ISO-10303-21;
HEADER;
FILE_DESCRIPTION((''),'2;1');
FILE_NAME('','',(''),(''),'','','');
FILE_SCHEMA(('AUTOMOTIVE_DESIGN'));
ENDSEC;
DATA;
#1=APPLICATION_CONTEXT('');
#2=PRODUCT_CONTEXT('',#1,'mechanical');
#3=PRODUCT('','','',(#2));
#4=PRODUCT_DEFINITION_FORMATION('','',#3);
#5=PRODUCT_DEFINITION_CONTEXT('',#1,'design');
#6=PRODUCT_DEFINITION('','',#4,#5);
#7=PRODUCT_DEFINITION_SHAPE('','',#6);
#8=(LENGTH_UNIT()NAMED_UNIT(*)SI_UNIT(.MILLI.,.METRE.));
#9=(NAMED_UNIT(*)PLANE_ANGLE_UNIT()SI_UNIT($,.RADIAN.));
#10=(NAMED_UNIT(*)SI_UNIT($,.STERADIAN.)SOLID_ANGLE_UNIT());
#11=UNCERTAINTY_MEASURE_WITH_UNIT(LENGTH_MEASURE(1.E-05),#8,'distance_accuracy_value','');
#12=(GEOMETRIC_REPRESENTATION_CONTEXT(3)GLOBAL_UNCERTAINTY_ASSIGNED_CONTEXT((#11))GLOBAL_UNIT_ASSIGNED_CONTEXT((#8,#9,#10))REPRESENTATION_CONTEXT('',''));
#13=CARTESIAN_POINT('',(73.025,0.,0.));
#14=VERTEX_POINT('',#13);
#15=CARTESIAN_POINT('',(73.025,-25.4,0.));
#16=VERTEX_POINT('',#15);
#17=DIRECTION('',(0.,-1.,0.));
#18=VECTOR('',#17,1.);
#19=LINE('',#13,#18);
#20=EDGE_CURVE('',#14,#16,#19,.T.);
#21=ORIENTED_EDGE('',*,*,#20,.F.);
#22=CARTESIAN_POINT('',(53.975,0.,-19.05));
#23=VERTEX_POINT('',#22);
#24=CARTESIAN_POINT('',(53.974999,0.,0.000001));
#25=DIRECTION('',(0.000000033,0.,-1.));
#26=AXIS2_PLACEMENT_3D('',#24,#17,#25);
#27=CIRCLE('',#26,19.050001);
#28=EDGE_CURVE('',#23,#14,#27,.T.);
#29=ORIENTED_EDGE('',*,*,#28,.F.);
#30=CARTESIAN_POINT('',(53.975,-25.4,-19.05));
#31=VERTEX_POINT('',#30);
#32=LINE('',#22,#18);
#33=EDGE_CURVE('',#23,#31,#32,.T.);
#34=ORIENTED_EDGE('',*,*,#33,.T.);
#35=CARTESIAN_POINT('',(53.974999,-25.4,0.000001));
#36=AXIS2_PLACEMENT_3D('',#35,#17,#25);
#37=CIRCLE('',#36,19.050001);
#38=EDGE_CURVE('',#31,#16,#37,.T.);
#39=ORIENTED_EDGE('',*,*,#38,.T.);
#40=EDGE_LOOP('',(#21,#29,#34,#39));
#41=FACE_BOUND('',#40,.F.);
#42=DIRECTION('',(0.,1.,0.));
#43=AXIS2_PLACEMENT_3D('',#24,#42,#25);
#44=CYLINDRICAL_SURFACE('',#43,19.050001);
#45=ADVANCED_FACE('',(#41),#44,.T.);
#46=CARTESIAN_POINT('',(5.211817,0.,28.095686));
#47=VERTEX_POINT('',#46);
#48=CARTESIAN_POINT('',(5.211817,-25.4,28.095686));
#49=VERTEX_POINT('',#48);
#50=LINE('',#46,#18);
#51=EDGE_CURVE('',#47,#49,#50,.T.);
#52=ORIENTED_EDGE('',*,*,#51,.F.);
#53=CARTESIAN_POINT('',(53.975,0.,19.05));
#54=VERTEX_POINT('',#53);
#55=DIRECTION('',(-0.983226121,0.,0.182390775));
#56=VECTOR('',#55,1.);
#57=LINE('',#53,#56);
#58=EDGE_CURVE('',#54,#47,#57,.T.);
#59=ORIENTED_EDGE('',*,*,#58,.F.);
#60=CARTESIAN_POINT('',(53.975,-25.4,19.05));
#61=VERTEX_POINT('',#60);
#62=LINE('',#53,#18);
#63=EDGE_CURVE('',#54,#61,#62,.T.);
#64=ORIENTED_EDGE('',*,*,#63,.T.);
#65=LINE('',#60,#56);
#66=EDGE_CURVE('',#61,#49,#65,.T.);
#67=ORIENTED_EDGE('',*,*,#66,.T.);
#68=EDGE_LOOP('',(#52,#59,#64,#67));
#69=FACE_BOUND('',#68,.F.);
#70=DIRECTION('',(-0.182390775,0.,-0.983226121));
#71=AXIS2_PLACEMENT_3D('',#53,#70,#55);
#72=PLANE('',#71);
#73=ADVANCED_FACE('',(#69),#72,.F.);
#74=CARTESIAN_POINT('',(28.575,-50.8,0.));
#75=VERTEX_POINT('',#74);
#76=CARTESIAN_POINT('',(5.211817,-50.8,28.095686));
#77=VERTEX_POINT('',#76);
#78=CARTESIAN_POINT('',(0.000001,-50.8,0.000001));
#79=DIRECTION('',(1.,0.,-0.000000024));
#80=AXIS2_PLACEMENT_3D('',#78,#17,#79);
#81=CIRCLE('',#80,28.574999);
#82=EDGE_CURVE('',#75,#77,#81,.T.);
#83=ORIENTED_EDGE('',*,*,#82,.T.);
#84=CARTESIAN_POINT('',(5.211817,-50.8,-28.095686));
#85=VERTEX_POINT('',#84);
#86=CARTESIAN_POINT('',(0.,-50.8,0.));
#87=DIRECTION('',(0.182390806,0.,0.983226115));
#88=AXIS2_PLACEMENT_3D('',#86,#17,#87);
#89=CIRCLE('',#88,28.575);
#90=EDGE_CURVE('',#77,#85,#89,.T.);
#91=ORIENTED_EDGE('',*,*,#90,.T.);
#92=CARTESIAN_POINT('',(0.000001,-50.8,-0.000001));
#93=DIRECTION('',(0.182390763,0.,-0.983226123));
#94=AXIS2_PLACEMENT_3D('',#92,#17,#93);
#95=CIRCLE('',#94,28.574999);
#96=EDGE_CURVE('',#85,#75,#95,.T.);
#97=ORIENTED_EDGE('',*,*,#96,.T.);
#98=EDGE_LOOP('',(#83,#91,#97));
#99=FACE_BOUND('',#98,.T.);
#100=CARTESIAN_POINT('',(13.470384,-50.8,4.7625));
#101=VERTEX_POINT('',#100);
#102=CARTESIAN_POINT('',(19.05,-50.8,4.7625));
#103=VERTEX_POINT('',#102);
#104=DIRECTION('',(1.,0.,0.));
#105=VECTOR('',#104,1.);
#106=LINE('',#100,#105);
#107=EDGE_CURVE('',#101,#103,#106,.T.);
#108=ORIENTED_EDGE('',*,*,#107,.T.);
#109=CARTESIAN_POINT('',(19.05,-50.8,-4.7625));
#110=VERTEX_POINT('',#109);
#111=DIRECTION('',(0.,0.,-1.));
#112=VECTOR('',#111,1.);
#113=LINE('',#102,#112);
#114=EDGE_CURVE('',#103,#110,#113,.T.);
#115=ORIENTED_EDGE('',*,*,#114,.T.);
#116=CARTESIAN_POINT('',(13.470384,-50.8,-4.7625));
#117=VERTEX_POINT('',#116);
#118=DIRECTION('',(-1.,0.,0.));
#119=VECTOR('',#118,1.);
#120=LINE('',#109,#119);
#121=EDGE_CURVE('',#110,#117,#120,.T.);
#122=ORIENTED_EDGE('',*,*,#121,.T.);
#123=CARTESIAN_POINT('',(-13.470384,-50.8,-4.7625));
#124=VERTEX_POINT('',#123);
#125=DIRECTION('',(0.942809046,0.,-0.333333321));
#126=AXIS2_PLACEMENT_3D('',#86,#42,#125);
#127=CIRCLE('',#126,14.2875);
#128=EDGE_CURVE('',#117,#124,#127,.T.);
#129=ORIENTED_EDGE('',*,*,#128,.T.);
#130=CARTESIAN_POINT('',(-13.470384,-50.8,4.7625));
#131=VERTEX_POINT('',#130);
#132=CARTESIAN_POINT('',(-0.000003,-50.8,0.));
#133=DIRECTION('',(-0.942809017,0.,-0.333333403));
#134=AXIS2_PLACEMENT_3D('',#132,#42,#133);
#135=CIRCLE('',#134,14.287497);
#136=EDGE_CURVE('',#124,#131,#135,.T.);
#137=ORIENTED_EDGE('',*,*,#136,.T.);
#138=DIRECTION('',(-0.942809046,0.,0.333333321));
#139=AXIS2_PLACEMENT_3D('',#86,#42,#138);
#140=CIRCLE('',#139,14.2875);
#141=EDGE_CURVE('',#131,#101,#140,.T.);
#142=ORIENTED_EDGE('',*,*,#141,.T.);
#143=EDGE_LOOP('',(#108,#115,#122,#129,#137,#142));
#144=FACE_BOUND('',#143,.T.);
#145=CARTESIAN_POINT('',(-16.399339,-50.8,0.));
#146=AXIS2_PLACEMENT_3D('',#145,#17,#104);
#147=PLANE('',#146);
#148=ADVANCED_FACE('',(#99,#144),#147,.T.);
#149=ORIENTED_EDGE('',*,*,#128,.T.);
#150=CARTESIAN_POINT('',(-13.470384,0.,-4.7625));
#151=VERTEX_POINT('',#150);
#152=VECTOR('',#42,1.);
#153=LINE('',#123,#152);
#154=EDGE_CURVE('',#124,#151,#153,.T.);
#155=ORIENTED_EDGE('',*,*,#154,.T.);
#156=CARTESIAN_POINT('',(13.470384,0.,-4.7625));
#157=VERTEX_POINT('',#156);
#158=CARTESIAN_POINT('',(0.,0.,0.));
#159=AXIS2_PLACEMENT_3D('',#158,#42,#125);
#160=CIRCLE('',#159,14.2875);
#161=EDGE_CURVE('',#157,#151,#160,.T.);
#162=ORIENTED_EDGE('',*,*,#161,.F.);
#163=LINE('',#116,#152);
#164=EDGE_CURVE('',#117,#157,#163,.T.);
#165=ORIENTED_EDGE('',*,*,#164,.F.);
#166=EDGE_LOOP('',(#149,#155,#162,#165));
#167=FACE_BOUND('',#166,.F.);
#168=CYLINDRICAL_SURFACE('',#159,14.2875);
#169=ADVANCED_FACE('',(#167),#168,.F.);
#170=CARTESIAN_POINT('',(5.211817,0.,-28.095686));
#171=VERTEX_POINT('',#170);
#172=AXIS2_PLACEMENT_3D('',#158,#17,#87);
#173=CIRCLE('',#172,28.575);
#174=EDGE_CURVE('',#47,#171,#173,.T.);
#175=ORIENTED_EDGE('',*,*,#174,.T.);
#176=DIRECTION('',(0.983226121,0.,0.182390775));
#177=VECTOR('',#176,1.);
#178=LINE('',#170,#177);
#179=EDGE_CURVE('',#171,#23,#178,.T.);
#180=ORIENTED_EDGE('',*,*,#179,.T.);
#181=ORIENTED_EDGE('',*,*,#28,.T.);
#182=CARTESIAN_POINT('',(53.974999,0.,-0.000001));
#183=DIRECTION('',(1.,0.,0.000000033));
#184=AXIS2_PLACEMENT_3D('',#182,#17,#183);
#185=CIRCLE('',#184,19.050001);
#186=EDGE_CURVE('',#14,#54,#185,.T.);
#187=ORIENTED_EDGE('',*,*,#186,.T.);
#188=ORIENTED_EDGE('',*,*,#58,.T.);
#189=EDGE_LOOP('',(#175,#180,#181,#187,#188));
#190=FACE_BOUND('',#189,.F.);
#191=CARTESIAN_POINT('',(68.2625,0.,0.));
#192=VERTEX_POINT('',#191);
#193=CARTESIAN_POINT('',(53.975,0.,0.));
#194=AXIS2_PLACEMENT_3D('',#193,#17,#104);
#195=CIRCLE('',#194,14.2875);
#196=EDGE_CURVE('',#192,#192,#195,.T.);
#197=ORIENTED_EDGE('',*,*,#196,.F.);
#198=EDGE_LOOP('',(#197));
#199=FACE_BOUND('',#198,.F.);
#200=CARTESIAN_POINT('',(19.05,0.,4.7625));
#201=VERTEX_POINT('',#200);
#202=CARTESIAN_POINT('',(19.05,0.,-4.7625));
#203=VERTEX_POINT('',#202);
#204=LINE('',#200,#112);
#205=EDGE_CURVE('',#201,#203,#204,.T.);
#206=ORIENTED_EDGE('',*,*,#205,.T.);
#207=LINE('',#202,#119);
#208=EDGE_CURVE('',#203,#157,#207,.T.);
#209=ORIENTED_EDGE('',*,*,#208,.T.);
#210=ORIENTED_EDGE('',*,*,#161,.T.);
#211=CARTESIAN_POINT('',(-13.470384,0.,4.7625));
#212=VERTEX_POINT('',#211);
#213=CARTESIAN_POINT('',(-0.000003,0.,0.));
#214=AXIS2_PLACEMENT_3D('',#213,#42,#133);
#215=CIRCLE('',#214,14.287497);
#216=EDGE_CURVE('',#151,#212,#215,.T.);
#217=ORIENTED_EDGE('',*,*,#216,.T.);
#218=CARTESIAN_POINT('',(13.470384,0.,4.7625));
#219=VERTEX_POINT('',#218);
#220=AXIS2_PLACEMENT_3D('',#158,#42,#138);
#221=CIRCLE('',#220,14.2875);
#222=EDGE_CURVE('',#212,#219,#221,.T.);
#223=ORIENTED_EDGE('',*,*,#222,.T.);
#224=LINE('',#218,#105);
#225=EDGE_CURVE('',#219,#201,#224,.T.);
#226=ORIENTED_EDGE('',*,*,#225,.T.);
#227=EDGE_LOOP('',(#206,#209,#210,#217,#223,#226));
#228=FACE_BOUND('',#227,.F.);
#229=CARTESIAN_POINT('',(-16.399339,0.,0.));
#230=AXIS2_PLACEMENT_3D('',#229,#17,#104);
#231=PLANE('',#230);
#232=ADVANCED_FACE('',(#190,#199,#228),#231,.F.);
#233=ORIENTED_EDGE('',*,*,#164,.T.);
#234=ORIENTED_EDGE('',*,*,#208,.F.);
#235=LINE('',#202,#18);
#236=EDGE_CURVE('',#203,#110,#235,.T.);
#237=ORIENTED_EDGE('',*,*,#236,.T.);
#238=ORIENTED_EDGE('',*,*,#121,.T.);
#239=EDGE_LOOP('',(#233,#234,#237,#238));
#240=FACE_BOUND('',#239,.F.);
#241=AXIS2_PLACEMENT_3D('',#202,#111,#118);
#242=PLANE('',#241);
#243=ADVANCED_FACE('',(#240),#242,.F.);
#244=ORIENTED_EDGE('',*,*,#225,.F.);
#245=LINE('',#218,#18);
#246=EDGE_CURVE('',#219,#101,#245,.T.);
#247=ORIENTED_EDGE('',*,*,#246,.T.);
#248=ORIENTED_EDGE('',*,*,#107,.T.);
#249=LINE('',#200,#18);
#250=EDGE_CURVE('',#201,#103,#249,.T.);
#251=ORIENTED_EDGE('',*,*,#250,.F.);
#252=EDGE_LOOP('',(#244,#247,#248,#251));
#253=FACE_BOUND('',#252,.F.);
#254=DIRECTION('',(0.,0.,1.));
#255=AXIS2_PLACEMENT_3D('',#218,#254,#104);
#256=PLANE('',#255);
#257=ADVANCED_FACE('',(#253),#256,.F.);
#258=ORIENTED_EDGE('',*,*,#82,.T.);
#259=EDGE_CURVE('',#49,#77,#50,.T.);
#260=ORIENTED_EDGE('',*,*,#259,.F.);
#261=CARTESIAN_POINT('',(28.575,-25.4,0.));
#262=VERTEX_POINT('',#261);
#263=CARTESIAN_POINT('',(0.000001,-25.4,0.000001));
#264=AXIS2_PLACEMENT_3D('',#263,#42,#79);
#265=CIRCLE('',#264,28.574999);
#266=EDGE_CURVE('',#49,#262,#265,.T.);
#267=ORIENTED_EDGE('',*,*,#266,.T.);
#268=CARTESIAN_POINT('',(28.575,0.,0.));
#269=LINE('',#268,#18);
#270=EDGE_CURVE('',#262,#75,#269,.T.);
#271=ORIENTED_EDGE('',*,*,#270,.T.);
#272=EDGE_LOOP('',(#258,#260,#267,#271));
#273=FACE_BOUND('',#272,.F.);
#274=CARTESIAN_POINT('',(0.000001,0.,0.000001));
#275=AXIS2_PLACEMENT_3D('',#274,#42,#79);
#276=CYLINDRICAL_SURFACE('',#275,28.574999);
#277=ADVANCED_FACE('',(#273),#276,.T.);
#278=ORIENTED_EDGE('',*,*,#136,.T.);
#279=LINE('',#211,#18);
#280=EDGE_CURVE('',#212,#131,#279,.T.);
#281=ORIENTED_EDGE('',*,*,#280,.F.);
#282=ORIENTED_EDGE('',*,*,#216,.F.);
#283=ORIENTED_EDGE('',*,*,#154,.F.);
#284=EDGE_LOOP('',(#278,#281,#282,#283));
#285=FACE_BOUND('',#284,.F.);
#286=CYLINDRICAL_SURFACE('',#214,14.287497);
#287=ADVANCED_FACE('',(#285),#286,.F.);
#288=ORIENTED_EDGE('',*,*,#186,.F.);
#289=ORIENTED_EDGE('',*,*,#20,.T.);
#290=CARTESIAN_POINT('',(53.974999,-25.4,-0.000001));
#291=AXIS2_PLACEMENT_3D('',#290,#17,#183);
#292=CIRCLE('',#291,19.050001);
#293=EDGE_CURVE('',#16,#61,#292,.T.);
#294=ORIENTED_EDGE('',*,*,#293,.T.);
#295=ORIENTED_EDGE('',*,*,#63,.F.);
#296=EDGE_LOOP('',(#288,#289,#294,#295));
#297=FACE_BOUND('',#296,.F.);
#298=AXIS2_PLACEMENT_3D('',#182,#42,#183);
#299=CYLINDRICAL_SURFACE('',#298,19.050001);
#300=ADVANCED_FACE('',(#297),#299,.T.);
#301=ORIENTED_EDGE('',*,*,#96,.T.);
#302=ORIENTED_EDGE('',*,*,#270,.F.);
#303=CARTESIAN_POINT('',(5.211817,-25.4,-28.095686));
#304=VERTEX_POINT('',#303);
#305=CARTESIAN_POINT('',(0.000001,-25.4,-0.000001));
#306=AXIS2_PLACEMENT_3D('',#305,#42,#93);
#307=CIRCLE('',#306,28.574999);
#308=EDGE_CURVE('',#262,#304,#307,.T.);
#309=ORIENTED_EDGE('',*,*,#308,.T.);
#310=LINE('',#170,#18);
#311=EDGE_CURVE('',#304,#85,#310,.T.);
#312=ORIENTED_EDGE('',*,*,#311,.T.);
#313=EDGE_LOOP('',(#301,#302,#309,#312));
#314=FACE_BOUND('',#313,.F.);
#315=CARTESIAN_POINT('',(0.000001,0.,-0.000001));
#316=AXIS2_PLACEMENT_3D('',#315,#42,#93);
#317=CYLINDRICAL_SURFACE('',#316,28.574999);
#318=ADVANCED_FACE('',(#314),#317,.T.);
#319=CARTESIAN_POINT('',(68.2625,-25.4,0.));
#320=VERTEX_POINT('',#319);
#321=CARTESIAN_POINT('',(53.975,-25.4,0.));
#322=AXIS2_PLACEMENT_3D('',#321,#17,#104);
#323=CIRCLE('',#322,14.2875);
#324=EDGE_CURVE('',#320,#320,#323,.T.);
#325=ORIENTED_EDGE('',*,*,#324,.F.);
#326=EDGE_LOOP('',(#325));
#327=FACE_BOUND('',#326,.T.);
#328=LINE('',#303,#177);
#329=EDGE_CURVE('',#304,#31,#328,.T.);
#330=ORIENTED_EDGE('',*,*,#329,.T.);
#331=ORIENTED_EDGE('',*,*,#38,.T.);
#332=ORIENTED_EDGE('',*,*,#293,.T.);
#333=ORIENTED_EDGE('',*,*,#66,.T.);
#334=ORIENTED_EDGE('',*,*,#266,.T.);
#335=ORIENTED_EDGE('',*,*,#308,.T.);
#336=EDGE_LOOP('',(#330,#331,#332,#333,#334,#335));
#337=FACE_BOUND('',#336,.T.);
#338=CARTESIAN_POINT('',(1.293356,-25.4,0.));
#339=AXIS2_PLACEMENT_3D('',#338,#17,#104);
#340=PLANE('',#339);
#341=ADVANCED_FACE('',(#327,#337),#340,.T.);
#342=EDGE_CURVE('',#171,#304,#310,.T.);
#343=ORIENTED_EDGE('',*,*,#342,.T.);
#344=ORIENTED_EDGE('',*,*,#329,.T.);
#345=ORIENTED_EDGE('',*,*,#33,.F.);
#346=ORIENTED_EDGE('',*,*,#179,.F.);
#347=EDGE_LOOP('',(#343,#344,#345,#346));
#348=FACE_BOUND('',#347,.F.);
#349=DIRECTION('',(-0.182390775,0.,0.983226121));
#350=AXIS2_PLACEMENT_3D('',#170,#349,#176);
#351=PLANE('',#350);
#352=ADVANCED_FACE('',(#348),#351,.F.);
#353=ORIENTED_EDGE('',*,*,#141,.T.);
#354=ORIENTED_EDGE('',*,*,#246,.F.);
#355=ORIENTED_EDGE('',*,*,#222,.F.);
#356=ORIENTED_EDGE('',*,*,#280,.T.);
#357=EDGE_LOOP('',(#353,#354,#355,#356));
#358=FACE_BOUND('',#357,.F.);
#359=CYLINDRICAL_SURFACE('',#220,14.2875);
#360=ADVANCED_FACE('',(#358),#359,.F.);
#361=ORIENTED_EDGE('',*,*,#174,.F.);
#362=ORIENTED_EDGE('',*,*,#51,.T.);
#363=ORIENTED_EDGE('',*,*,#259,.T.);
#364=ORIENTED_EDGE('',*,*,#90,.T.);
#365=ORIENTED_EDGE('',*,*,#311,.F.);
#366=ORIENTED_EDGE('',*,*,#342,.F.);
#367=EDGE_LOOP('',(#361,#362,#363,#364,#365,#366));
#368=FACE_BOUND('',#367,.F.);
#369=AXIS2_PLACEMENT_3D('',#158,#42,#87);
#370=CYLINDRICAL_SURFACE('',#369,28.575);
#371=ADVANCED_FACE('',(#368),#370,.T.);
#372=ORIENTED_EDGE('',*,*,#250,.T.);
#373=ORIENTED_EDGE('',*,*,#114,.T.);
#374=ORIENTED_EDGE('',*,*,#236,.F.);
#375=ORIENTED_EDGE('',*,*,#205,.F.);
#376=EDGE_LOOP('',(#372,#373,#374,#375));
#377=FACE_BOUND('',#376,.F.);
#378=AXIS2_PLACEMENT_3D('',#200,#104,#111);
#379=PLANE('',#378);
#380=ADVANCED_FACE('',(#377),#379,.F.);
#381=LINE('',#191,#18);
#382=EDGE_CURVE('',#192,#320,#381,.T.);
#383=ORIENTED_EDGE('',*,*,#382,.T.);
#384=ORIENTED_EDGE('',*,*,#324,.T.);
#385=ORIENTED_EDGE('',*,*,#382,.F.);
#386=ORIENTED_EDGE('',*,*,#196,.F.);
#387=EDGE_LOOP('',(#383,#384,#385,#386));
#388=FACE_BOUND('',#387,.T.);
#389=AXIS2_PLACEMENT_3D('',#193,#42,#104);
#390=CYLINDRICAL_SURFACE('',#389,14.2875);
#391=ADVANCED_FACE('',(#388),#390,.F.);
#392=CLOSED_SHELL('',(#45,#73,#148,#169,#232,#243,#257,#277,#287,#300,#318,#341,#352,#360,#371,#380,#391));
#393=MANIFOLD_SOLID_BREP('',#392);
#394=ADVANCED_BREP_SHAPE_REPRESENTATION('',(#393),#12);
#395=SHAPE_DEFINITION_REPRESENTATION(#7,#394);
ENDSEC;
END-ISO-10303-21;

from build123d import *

# Parameters (mm, degrees)
F0_R     = 14.2875
F1_DEPTH = 25.4
F2_DEPTH = 50.8
F3_DEPTH = 50.8


with BuildPart() as f1:
    # F0 (on Front) → F1 (new body)
    with BuildSketch(Plane.XZ):
        with BuildLine():
            ThreePointArc((5.211817, -28.095686), (21.971098, -18.270235), (28.575, 0))
            ThreePointArc((28.575, 0), (21.971098, 18.270235), (5.211817, 28.095686))
            ThreePointArc((5.211817, 28.095686), (-28.575, 0), (5.211817, -28.095686))
        make_face()
        with BuildLine():
            ThreePointArc((-13.470384, 4.7625), (0, 14.2875), (13.470384, 4.7625))
            Line((13.470384, 4.7625), (19.05, 4.7625))
            Line((19.05, 4.7625), (19.05, -4.7625))
            Line((19.05, -4.7625), (13.470384, -4.7625))
            ThreePointArc((13.470384, -4.7625), (0, -14.2875), (-13.470384, -4.7625))
            Line((-13.470384, -4.7625), (-19.05, -4.7625))
            Line((-19.05, -4.7625), (-19.05, 4.7625))
            Line((-19.05, 4.7625), (-13.470384, 4.7625))
        make_face(mode=Mode.SUBTRACT)
        with BuildLine():
            ThreePointArc((5.211817, 28.095686), (21.971098, 18.270235), (28.575, 0))
            ThreePointArc((28.575, 0), (21.971098, -18.270235), (5.211817, -28.095686))
            Line((5.211817, -28.095686), (53.975, -19.05))
            ThreePointArc((53.975, -19.05), (34.925, 0), (53.975, 19.05))
            Line((53.975, 19.05), (5.211817, 28.095686))
        make_face()
        with BuildLine():
            ThreePointArc((73.025, 0), (67.445384, 13.470384), (53.975, 19.05))
            ThreePointArc((53.975, 19.05), (34.925, 0), (53.975, -19.05))
            ThreePointArc((53.975, -19.05), (67.445384, -13.470384), (73.025, 0))
        make_face()
        with Locations((53.975, 0)):
            Circle(F0_R, mode=Mode.SUBTRACT)
    extrude(amount=F1_DEPTH)

    # F0 (on Front) → F2 (join)
    with BuildSketch(Plane.XZ):
        with BuildLine():
            ThreePointArc((5.211817, -28.095686), (21.971098, -18.270235), (28.575, 0))
            ThreePointArc((28.575, 0), (21.971098, 18.270235), (5.211817, 28.095686))
            ThreePointArc((5.211817, 28.095686), (-28.575, 0), (5.211817, -28.095686))
        make_face()
        with BuildLine():
            ThreePointArc((-13.470384, 4.7625), (0, 14.2875), (13.470384, 4.7625))
            Line((13.470384, 4.7625), (19.05, 4.7625))
            Line((19.05, 4.7625), (19.05, -4.7625))
            Line((19.05, -4.7625), (13.470384, -4.7625))
            ThreePointArc((13.470384, -4.7625), (0, -14.2875), (-13.470384, -4.7625))
            Line((-13.470384, -4.7625), (-19.05, -4.7625))
            Line((-19.05, -4.7625), (-19.05, 4.7625))
            Line((-19.05, 4.7625), (-13.470384, 4.7625))
        make_face(mode=Mode.SUBTRACT)
    extrude(amount=F2_DEPTH)

    # F0 (on Front) → F3 (join)
    with BuildSketch(Plane.XZ):
        with BuildLine():
            ThreePointArc((-13.470384, -4.7625), (-14.2875, 0), (-13.470384, 4.7625))
            Line((-13.470384, 4.7625), (-19.05, 4.7625))
            Line((-19.05, 4.7625), (-19.05, -4.7625))
            Line((-19.05, -4.7625), (-13.470384, -4.7625))
        make_face()
    extrude(amount=F3_DEPTH)


solid = f1.part
